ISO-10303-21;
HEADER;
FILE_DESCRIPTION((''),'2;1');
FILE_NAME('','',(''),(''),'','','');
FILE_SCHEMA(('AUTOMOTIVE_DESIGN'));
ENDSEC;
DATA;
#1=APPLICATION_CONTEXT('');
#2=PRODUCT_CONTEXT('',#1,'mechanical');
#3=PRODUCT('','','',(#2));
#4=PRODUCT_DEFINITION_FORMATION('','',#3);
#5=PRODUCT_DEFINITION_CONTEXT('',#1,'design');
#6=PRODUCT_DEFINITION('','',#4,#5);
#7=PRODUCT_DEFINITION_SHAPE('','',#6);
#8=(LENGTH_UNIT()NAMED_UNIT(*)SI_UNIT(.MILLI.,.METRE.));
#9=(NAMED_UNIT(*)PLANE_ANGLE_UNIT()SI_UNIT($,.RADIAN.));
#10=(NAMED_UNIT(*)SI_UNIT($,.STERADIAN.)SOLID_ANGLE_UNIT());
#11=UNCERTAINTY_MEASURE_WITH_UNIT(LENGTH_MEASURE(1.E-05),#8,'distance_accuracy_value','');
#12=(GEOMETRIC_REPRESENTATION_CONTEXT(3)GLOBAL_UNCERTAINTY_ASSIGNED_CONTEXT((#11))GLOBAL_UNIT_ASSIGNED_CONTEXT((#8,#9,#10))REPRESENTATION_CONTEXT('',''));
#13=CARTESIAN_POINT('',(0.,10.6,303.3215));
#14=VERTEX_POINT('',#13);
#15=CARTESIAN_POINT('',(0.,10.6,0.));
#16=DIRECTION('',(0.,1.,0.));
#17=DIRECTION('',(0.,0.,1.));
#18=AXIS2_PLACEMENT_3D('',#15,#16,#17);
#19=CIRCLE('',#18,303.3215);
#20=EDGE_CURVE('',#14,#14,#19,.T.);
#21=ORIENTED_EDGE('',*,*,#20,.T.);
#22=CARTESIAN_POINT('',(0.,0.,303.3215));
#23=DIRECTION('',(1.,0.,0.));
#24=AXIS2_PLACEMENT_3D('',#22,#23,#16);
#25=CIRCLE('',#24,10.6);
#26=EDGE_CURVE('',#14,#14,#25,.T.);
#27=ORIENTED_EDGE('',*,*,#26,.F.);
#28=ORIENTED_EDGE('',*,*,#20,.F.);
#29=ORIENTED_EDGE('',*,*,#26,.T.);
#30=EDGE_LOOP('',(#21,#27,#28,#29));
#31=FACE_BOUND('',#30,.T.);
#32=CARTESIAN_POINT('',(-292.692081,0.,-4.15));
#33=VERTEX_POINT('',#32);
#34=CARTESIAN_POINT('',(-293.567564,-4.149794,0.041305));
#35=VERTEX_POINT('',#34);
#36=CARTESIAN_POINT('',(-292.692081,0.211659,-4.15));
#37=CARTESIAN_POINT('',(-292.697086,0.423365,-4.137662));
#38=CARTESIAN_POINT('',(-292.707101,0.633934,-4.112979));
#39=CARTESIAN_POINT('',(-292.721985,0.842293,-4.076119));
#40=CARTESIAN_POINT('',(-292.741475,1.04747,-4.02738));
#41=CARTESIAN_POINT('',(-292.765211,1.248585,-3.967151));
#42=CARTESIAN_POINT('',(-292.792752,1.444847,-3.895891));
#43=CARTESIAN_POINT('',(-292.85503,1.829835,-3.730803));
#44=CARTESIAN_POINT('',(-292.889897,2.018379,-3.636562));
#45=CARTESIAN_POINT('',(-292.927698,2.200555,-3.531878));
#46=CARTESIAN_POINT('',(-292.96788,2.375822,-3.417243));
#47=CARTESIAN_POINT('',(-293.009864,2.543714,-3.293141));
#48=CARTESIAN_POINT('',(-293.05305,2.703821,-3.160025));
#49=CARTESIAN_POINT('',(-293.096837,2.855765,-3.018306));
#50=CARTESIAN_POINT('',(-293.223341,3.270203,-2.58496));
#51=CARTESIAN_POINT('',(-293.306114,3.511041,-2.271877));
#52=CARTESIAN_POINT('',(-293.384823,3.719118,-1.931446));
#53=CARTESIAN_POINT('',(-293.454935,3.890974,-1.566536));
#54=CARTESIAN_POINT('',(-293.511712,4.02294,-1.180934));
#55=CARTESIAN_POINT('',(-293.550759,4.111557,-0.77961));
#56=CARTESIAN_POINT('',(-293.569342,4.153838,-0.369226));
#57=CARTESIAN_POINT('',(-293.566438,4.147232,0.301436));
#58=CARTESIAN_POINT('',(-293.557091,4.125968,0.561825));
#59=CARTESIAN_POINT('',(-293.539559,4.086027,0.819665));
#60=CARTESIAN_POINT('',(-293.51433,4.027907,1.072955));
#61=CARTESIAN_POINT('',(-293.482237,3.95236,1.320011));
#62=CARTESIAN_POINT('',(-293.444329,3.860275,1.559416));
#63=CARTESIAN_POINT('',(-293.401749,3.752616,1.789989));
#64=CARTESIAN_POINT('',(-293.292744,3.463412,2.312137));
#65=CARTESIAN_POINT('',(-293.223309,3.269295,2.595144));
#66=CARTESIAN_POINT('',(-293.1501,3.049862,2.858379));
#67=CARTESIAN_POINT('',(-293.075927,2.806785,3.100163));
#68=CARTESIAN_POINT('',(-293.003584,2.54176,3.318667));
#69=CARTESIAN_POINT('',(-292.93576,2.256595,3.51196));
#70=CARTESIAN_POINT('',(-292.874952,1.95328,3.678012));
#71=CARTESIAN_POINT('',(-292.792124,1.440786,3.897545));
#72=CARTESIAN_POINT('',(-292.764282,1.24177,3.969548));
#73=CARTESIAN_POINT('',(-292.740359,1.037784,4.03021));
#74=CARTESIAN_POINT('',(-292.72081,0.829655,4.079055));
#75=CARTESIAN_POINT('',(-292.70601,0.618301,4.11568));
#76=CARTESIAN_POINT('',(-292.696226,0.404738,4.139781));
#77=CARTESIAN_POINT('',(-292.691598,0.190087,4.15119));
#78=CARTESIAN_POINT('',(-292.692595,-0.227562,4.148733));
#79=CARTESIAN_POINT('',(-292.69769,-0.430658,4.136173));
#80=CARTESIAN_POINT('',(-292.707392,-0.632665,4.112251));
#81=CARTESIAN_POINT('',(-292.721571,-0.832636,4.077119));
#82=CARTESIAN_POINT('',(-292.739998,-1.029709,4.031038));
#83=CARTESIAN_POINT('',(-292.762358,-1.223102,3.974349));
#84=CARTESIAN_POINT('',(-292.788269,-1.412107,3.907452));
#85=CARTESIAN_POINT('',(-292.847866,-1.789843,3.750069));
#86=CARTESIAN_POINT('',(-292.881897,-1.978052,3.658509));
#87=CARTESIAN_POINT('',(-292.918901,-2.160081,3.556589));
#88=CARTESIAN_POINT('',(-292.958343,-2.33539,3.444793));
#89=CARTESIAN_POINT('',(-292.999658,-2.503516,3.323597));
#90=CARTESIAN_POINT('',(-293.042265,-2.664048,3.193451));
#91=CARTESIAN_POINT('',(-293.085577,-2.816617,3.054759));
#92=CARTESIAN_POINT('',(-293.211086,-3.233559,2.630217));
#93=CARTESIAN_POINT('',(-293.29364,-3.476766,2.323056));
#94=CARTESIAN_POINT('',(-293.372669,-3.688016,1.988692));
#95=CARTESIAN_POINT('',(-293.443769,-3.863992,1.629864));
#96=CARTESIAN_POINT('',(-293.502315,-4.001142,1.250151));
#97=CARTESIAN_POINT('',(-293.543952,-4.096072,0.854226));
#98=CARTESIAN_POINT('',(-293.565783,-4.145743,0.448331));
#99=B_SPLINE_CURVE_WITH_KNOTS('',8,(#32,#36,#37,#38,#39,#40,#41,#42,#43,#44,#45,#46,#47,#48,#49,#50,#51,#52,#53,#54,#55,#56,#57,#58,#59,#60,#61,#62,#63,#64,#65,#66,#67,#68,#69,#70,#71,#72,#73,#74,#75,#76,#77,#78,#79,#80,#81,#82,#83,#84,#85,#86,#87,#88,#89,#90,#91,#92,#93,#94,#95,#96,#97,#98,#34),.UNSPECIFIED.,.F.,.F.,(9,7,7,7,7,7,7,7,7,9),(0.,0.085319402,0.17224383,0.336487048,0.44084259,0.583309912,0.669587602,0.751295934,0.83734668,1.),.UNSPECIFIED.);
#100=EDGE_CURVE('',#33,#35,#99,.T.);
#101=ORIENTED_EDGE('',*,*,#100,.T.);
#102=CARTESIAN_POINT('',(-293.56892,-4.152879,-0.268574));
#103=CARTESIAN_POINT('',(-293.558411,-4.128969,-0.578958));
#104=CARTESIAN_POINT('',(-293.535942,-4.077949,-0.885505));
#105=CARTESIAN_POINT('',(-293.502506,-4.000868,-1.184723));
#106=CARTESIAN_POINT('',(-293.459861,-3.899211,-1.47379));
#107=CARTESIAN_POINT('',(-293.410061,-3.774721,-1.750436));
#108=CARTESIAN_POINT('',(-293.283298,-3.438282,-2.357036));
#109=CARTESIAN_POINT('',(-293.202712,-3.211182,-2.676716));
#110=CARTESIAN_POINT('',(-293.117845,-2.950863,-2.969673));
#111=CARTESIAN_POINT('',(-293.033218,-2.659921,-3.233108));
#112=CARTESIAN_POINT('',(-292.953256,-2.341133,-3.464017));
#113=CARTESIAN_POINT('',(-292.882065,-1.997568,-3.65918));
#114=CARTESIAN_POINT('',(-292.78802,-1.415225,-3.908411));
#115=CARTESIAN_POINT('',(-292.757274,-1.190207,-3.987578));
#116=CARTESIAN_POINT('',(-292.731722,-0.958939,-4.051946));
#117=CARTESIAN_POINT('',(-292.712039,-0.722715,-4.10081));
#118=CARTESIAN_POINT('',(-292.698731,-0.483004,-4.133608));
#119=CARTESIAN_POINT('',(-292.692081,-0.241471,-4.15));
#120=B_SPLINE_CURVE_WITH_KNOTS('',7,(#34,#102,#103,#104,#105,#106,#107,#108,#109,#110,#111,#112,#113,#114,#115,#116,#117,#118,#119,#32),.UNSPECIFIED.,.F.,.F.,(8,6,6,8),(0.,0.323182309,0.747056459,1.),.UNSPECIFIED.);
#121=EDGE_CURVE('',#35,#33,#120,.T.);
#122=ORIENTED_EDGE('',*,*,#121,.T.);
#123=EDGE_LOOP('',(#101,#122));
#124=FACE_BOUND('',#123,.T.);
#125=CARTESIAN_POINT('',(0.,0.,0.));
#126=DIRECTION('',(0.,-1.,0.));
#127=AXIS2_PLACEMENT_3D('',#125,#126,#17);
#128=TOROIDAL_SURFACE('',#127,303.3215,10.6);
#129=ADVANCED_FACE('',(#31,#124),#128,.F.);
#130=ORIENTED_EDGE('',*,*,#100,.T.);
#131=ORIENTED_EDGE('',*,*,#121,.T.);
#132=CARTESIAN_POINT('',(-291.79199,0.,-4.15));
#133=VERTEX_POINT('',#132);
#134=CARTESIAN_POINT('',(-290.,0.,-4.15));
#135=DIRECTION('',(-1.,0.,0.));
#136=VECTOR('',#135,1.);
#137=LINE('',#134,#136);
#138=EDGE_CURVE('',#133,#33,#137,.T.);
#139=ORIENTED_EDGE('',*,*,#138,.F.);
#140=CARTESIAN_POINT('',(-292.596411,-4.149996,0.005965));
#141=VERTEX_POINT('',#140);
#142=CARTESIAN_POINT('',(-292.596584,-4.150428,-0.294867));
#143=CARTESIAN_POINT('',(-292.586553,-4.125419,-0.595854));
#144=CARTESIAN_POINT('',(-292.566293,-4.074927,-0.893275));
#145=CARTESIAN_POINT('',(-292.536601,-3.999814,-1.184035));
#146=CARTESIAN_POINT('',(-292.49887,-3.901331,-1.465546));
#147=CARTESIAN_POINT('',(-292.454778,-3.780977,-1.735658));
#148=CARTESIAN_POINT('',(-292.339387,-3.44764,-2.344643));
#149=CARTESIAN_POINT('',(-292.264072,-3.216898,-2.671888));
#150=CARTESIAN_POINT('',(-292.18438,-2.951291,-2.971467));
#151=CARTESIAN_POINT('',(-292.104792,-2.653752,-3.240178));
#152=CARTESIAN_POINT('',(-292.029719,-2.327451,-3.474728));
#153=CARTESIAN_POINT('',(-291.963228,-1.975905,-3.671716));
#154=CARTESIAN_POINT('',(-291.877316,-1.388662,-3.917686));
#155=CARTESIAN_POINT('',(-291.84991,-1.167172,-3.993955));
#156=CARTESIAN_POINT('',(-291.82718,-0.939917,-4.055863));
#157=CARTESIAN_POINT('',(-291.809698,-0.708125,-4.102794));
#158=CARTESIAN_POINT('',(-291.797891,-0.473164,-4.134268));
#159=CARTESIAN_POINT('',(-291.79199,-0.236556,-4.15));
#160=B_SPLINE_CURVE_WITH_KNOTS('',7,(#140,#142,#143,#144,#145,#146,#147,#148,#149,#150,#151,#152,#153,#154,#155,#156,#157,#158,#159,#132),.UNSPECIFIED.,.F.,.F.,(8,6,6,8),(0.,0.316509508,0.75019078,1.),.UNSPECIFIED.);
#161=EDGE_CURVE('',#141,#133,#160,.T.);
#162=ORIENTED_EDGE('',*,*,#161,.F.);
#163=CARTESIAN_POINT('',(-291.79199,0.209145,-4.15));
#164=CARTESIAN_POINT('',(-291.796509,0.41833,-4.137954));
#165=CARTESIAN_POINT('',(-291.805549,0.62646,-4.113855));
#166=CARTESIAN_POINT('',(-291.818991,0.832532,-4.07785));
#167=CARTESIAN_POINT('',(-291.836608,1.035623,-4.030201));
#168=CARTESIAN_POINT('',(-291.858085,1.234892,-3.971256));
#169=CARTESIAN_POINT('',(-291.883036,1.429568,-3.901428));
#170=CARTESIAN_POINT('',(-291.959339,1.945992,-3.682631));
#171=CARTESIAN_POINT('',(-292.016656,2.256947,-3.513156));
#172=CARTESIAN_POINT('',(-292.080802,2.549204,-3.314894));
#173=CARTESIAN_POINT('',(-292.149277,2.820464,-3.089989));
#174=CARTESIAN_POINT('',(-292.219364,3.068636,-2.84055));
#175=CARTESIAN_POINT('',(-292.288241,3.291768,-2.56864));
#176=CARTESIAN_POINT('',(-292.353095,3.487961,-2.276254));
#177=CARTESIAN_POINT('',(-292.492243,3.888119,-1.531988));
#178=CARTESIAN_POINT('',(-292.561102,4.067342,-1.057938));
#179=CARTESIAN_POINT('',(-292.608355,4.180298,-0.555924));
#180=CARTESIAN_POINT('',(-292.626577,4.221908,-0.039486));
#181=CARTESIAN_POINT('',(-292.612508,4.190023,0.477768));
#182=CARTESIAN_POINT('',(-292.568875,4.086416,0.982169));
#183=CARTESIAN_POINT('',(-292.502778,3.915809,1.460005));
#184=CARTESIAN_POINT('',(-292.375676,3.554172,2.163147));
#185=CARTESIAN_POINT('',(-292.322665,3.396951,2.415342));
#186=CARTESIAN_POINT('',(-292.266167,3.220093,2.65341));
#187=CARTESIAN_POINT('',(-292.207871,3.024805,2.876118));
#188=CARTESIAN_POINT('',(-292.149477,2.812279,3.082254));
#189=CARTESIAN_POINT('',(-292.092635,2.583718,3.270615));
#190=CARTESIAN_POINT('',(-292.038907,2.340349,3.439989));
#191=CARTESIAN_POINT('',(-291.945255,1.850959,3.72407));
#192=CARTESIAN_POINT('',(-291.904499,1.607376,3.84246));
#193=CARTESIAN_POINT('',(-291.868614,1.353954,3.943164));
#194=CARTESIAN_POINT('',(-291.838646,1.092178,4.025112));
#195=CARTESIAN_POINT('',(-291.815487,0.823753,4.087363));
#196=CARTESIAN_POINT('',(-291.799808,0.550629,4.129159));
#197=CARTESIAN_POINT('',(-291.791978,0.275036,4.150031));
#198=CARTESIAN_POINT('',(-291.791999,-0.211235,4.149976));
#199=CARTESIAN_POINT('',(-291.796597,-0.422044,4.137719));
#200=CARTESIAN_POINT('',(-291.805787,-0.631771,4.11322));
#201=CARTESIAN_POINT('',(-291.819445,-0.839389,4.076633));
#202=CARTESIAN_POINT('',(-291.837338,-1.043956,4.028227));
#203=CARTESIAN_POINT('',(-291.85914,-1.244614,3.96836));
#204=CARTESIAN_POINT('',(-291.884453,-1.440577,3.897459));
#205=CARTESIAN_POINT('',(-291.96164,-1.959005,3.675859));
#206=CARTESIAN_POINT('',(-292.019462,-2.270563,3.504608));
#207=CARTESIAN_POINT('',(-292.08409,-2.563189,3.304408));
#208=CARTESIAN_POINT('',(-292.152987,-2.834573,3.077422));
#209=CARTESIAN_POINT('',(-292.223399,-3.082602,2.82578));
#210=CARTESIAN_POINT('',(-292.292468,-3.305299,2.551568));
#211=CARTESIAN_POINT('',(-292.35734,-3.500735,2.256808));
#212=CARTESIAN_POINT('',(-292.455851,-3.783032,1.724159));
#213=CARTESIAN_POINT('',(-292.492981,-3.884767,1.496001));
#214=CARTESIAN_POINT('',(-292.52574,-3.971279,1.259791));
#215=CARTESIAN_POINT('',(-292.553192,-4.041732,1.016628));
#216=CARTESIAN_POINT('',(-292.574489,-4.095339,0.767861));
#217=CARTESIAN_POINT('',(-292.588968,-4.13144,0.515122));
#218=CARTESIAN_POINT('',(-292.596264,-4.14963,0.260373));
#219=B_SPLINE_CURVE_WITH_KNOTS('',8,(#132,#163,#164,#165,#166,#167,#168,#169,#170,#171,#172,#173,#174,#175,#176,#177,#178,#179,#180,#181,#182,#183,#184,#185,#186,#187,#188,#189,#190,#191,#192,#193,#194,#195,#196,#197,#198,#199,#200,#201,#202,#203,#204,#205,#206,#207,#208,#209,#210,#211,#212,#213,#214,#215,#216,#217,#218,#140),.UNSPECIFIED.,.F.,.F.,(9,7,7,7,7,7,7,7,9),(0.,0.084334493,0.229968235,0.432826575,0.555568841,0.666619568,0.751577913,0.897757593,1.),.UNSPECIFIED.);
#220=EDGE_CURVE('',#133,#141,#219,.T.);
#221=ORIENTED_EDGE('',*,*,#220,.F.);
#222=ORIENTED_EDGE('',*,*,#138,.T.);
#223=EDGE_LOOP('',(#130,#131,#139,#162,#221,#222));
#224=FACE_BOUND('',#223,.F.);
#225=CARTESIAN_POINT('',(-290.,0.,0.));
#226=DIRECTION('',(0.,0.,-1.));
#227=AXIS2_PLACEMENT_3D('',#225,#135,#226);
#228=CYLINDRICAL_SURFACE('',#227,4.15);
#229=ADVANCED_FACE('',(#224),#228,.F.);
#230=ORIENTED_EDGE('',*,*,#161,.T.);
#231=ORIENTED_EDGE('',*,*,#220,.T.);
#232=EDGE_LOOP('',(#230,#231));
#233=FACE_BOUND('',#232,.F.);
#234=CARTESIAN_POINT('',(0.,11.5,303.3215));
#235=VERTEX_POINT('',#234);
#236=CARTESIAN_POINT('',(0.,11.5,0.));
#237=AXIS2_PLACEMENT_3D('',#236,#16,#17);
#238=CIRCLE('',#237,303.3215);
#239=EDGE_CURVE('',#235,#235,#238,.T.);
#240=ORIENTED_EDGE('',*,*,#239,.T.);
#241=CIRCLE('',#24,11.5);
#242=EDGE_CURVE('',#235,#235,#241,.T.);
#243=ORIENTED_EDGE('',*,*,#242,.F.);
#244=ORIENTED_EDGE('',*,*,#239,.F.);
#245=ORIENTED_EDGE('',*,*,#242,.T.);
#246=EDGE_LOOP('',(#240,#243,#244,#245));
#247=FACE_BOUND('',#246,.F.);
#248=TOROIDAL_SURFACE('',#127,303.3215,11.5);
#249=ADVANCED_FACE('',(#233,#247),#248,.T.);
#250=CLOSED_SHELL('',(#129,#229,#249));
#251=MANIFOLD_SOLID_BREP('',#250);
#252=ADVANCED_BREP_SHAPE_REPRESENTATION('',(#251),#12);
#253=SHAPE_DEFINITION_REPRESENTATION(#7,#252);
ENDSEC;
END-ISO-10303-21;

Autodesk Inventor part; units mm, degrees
ref_plane "YZ Plane" through (0, 0, 0) normal (1, 0, 0) x (0, 1, 0)
ref_plane "XZ Plane" through (0, 0, 0) normal (0, 1, 0) x (-1, 0, 0)
ref_plane "XY Plane" through (0, 0, 0) normal (0, 0, 1) x (1, 0, 0)
sketch "Szkic1" plane through (0, 0, 0) normal (1, 0, 0) x (0, 1, 0)
  circle A0 centre (0, 303.3215) radius 11.5
  line L0 (0, 0) -> (60.5344, 0) construction
  line L1 (0, 0) -> (0, 55.1671) construction
  line L2 (-16.0424, 302.375) -> (-13.9679, 299.9026) construction
  line L3 (13.9679, 299.9026) -> (16.0424, 302.375) construction
  circle A1 centre (0, 303.3215) radius 10.6
  arc A2 (-6.9613, 292.3237) -> (6.9613, 292.3237) centre (0, 340.3215) ccw construction
  dimension "d0" = 23
  dimension "d1" = 0.9
revolve "Obrót1" add sketch "Szkic1" angle 360 about axis through (0, 0, 0) along (0, 1, 0)
ref_plane "Płaszczyzna do otworu na wentyl 1" through (0, 0, 0) normal (1, 0, 0) x (0, -1, 0)
ref_plane "Płaszczyzna do otworu na wentyl 1.1" through (-290, 0, 0) normal (1, 0, 0) x (0, -1, 0)
sketch "Szkic4" plane through (-290, 0, 0) normal (1, 0, 0) x (0, -1, 0)
  point P0 (0, 0)
  point P1 (0, 0)
hole "Otwór na wentyl" at (-290, 0, 0) direction (-1, 0, 0) diameter 8.3 depth 8 tip angle 118
properties part number "Dętka_koła_tylnego" material "Aluminium AW-7020"
